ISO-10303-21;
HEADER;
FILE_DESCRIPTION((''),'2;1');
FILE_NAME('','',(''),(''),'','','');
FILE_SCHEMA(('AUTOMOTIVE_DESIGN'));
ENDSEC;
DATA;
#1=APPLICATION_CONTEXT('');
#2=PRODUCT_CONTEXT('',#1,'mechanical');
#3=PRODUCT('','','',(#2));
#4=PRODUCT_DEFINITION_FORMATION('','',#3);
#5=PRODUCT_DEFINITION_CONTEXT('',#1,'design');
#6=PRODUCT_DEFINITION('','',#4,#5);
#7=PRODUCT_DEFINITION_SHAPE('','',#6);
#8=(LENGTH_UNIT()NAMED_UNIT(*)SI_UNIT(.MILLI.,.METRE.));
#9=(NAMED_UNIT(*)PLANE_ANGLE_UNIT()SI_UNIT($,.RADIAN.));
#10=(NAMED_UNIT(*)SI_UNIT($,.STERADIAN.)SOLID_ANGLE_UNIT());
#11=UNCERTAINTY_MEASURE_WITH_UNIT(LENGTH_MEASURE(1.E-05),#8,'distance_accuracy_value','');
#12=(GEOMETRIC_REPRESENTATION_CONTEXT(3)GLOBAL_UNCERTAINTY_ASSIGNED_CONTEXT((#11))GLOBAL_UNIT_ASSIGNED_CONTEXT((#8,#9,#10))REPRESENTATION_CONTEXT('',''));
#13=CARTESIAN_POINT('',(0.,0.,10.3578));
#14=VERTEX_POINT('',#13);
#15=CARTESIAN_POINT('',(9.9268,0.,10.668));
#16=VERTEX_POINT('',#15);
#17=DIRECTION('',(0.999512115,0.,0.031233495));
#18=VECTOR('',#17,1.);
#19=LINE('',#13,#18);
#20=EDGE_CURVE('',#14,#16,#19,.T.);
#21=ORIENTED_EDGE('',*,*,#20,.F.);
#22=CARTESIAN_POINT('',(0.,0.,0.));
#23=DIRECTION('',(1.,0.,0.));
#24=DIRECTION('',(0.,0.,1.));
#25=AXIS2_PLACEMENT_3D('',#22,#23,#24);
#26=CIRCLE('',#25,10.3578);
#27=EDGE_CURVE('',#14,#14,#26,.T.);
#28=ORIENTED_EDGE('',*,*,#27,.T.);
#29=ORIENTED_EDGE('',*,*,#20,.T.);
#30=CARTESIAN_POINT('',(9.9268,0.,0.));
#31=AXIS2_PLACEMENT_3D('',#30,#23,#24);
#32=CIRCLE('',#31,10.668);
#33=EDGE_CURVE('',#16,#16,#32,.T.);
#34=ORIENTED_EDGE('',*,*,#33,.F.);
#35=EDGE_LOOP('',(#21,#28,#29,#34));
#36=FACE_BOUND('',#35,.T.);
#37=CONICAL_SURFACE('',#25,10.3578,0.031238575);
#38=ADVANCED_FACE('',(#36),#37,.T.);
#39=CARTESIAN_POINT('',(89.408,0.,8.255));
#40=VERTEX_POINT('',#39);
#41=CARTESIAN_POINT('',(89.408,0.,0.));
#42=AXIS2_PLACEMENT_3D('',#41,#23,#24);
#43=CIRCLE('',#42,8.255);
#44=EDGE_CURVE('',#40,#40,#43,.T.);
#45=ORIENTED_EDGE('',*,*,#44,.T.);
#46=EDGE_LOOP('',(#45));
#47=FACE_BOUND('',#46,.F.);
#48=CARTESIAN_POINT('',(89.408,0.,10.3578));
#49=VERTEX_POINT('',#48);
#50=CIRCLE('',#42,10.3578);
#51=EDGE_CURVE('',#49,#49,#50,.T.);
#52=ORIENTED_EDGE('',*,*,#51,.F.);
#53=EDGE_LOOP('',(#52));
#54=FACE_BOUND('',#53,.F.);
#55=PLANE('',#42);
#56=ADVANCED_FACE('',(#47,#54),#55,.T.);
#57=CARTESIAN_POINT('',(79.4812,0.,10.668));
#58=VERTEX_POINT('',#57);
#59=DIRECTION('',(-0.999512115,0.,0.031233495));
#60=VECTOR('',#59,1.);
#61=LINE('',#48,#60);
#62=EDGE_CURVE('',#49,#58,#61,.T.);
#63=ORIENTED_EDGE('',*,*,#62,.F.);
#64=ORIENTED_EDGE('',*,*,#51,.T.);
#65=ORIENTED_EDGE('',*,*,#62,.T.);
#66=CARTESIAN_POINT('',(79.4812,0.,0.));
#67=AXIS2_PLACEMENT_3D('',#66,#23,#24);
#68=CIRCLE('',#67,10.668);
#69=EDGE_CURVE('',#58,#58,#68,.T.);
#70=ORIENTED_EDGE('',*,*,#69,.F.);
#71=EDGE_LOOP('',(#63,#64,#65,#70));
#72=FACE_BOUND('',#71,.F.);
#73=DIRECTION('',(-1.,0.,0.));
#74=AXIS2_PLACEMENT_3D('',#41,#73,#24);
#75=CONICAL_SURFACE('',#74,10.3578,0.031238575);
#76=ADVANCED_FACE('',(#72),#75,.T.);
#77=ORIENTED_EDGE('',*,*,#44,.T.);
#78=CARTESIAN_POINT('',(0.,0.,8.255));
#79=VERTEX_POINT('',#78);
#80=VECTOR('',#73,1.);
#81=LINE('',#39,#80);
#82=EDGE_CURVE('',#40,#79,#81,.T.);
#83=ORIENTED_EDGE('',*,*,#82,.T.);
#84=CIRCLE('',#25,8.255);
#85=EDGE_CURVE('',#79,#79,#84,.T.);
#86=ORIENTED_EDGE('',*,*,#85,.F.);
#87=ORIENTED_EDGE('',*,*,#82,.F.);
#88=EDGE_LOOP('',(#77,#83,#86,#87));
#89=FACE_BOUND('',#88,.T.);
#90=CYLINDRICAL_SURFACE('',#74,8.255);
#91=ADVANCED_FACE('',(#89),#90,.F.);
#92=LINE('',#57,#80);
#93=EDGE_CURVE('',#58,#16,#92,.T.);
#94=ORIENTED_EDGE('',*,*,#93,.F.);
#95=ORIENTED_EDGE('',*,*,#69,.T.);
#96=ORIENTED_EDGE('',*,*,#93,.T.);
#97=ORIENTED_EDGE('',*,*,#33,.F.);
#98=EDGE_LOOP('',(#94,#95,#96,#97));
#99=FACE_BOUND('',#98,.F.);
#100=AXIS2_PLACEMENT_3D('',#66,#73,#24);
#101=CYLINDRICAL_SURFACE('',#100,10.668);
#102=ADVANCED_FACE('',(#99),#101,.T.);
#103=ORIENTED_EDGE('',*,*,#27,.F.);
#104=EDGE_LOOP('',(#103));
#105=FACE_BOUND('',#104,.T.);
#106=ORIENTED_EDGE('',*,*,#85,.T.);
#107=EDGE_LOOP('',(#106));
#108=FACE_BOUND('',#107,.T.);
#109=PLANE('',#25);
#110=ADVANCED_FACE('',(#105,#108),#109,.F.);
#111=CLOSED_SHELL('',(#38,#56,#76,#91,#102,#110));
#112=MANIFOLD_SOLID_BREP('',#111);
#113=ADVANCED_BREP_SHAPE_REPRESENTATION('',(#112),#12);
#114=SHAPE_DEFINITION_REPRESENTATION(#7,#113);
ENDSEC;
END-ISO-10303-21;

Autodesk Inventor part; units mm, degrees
ref_plane "YZ Plane" through (0, 0, 0) normal (1, 0, 0) x (0, 1, 0)
ref_plane "XZ Plane" through (0, 0, 0) normal (0, 1, 0) x (-1, 0, 0)
ref_plane "XY Plane" through (0, 0, 0) normal (0, 0, 1) x (1, 0, 0)
sketch "Sketch1" plane through (0, 0, 0) normal (0, 1, 0) x (-1, 0, 0)
  line L0 (0, 0) -> (-89.408, 0)
  line L1 (-89.408, 0) -> (-89.408, 8.255) construction
  line L2 (-89.408, 8.255) -> (-89.408, 10.3578)
  line L3 (-89.408, 10.3578) -> (-79.4812, 10.668)
  line L4 (-79.4812, 10.668) -> (-9.9268, 10.668)
  line L5 (-44.704, 0) -> (-44.704, 10.668) construction
  line L6 (-89.408, 8.255) -> (0, 8.255)
  line L7 (0, 0) -> (0, 8.255) construction
  line L8 (0, 8.255) -> (0, 10.3578)
  line L9 (0, 10.3578) -> (-9.9268, 10.668)
  line L10 (-75.852, 10.7814) -> (-75.852, 0) construction
  line L11 (-13.556, 10.7814) -> (-13.556, 0) construction
  line L12 (-79.4812, 10.668) -> (-75.852, 10.7814) construction
  line L13 (-79.4812, 10.668) -> (-79.4812, 0) construction
  line L14 (-9.9268, 10.668) -> (-13.556, 10.7814) construction
  line L15 (-9.9268, 10.668) -> (-9.9268, 0) construction
  dimension "d0" = 21.336
  dimension "d1" = 1.79
  dimension "d2" = 16.51
  dimension "d3" = 89.408
  dimension "d4" = 13.556
  dimension "d5" = 21.5628
revolve "Revolution1" add sketch "Sketch1" angle 360 about axis through (0, 0, 0) along (1, 0, 0)
thread "Thread1" size "1/2" designation "1/2 - 14 NPT" standard "NPT" full length
thread "Thread2" size "1/2" designation "1/2 - 14 NPT" standard "NPT" full length
equation "\"d0\" = OD"
equation "\"d2\" = ID"
equation "\"d3\" = L"
equation "\"d4\" = L2"
equation "\"d5\" = D2"
equation "\"OD\" = 21.336"
equation "\"t\" = 2.413"
equation "\"L\" = PL"
equation "\"L4\" = 19.8501"
equation "\"ID\" = 16.51"
equation "\"PL\" = 89.408"
equation "\"D2\" = 21.56282"
equation "\"L2\" = 13.55598"
equation "\"Size_Designation\" = 1.2345"
equation "\"PLmin\" = 2 * L2"
properties material "Steel, Wrought"
